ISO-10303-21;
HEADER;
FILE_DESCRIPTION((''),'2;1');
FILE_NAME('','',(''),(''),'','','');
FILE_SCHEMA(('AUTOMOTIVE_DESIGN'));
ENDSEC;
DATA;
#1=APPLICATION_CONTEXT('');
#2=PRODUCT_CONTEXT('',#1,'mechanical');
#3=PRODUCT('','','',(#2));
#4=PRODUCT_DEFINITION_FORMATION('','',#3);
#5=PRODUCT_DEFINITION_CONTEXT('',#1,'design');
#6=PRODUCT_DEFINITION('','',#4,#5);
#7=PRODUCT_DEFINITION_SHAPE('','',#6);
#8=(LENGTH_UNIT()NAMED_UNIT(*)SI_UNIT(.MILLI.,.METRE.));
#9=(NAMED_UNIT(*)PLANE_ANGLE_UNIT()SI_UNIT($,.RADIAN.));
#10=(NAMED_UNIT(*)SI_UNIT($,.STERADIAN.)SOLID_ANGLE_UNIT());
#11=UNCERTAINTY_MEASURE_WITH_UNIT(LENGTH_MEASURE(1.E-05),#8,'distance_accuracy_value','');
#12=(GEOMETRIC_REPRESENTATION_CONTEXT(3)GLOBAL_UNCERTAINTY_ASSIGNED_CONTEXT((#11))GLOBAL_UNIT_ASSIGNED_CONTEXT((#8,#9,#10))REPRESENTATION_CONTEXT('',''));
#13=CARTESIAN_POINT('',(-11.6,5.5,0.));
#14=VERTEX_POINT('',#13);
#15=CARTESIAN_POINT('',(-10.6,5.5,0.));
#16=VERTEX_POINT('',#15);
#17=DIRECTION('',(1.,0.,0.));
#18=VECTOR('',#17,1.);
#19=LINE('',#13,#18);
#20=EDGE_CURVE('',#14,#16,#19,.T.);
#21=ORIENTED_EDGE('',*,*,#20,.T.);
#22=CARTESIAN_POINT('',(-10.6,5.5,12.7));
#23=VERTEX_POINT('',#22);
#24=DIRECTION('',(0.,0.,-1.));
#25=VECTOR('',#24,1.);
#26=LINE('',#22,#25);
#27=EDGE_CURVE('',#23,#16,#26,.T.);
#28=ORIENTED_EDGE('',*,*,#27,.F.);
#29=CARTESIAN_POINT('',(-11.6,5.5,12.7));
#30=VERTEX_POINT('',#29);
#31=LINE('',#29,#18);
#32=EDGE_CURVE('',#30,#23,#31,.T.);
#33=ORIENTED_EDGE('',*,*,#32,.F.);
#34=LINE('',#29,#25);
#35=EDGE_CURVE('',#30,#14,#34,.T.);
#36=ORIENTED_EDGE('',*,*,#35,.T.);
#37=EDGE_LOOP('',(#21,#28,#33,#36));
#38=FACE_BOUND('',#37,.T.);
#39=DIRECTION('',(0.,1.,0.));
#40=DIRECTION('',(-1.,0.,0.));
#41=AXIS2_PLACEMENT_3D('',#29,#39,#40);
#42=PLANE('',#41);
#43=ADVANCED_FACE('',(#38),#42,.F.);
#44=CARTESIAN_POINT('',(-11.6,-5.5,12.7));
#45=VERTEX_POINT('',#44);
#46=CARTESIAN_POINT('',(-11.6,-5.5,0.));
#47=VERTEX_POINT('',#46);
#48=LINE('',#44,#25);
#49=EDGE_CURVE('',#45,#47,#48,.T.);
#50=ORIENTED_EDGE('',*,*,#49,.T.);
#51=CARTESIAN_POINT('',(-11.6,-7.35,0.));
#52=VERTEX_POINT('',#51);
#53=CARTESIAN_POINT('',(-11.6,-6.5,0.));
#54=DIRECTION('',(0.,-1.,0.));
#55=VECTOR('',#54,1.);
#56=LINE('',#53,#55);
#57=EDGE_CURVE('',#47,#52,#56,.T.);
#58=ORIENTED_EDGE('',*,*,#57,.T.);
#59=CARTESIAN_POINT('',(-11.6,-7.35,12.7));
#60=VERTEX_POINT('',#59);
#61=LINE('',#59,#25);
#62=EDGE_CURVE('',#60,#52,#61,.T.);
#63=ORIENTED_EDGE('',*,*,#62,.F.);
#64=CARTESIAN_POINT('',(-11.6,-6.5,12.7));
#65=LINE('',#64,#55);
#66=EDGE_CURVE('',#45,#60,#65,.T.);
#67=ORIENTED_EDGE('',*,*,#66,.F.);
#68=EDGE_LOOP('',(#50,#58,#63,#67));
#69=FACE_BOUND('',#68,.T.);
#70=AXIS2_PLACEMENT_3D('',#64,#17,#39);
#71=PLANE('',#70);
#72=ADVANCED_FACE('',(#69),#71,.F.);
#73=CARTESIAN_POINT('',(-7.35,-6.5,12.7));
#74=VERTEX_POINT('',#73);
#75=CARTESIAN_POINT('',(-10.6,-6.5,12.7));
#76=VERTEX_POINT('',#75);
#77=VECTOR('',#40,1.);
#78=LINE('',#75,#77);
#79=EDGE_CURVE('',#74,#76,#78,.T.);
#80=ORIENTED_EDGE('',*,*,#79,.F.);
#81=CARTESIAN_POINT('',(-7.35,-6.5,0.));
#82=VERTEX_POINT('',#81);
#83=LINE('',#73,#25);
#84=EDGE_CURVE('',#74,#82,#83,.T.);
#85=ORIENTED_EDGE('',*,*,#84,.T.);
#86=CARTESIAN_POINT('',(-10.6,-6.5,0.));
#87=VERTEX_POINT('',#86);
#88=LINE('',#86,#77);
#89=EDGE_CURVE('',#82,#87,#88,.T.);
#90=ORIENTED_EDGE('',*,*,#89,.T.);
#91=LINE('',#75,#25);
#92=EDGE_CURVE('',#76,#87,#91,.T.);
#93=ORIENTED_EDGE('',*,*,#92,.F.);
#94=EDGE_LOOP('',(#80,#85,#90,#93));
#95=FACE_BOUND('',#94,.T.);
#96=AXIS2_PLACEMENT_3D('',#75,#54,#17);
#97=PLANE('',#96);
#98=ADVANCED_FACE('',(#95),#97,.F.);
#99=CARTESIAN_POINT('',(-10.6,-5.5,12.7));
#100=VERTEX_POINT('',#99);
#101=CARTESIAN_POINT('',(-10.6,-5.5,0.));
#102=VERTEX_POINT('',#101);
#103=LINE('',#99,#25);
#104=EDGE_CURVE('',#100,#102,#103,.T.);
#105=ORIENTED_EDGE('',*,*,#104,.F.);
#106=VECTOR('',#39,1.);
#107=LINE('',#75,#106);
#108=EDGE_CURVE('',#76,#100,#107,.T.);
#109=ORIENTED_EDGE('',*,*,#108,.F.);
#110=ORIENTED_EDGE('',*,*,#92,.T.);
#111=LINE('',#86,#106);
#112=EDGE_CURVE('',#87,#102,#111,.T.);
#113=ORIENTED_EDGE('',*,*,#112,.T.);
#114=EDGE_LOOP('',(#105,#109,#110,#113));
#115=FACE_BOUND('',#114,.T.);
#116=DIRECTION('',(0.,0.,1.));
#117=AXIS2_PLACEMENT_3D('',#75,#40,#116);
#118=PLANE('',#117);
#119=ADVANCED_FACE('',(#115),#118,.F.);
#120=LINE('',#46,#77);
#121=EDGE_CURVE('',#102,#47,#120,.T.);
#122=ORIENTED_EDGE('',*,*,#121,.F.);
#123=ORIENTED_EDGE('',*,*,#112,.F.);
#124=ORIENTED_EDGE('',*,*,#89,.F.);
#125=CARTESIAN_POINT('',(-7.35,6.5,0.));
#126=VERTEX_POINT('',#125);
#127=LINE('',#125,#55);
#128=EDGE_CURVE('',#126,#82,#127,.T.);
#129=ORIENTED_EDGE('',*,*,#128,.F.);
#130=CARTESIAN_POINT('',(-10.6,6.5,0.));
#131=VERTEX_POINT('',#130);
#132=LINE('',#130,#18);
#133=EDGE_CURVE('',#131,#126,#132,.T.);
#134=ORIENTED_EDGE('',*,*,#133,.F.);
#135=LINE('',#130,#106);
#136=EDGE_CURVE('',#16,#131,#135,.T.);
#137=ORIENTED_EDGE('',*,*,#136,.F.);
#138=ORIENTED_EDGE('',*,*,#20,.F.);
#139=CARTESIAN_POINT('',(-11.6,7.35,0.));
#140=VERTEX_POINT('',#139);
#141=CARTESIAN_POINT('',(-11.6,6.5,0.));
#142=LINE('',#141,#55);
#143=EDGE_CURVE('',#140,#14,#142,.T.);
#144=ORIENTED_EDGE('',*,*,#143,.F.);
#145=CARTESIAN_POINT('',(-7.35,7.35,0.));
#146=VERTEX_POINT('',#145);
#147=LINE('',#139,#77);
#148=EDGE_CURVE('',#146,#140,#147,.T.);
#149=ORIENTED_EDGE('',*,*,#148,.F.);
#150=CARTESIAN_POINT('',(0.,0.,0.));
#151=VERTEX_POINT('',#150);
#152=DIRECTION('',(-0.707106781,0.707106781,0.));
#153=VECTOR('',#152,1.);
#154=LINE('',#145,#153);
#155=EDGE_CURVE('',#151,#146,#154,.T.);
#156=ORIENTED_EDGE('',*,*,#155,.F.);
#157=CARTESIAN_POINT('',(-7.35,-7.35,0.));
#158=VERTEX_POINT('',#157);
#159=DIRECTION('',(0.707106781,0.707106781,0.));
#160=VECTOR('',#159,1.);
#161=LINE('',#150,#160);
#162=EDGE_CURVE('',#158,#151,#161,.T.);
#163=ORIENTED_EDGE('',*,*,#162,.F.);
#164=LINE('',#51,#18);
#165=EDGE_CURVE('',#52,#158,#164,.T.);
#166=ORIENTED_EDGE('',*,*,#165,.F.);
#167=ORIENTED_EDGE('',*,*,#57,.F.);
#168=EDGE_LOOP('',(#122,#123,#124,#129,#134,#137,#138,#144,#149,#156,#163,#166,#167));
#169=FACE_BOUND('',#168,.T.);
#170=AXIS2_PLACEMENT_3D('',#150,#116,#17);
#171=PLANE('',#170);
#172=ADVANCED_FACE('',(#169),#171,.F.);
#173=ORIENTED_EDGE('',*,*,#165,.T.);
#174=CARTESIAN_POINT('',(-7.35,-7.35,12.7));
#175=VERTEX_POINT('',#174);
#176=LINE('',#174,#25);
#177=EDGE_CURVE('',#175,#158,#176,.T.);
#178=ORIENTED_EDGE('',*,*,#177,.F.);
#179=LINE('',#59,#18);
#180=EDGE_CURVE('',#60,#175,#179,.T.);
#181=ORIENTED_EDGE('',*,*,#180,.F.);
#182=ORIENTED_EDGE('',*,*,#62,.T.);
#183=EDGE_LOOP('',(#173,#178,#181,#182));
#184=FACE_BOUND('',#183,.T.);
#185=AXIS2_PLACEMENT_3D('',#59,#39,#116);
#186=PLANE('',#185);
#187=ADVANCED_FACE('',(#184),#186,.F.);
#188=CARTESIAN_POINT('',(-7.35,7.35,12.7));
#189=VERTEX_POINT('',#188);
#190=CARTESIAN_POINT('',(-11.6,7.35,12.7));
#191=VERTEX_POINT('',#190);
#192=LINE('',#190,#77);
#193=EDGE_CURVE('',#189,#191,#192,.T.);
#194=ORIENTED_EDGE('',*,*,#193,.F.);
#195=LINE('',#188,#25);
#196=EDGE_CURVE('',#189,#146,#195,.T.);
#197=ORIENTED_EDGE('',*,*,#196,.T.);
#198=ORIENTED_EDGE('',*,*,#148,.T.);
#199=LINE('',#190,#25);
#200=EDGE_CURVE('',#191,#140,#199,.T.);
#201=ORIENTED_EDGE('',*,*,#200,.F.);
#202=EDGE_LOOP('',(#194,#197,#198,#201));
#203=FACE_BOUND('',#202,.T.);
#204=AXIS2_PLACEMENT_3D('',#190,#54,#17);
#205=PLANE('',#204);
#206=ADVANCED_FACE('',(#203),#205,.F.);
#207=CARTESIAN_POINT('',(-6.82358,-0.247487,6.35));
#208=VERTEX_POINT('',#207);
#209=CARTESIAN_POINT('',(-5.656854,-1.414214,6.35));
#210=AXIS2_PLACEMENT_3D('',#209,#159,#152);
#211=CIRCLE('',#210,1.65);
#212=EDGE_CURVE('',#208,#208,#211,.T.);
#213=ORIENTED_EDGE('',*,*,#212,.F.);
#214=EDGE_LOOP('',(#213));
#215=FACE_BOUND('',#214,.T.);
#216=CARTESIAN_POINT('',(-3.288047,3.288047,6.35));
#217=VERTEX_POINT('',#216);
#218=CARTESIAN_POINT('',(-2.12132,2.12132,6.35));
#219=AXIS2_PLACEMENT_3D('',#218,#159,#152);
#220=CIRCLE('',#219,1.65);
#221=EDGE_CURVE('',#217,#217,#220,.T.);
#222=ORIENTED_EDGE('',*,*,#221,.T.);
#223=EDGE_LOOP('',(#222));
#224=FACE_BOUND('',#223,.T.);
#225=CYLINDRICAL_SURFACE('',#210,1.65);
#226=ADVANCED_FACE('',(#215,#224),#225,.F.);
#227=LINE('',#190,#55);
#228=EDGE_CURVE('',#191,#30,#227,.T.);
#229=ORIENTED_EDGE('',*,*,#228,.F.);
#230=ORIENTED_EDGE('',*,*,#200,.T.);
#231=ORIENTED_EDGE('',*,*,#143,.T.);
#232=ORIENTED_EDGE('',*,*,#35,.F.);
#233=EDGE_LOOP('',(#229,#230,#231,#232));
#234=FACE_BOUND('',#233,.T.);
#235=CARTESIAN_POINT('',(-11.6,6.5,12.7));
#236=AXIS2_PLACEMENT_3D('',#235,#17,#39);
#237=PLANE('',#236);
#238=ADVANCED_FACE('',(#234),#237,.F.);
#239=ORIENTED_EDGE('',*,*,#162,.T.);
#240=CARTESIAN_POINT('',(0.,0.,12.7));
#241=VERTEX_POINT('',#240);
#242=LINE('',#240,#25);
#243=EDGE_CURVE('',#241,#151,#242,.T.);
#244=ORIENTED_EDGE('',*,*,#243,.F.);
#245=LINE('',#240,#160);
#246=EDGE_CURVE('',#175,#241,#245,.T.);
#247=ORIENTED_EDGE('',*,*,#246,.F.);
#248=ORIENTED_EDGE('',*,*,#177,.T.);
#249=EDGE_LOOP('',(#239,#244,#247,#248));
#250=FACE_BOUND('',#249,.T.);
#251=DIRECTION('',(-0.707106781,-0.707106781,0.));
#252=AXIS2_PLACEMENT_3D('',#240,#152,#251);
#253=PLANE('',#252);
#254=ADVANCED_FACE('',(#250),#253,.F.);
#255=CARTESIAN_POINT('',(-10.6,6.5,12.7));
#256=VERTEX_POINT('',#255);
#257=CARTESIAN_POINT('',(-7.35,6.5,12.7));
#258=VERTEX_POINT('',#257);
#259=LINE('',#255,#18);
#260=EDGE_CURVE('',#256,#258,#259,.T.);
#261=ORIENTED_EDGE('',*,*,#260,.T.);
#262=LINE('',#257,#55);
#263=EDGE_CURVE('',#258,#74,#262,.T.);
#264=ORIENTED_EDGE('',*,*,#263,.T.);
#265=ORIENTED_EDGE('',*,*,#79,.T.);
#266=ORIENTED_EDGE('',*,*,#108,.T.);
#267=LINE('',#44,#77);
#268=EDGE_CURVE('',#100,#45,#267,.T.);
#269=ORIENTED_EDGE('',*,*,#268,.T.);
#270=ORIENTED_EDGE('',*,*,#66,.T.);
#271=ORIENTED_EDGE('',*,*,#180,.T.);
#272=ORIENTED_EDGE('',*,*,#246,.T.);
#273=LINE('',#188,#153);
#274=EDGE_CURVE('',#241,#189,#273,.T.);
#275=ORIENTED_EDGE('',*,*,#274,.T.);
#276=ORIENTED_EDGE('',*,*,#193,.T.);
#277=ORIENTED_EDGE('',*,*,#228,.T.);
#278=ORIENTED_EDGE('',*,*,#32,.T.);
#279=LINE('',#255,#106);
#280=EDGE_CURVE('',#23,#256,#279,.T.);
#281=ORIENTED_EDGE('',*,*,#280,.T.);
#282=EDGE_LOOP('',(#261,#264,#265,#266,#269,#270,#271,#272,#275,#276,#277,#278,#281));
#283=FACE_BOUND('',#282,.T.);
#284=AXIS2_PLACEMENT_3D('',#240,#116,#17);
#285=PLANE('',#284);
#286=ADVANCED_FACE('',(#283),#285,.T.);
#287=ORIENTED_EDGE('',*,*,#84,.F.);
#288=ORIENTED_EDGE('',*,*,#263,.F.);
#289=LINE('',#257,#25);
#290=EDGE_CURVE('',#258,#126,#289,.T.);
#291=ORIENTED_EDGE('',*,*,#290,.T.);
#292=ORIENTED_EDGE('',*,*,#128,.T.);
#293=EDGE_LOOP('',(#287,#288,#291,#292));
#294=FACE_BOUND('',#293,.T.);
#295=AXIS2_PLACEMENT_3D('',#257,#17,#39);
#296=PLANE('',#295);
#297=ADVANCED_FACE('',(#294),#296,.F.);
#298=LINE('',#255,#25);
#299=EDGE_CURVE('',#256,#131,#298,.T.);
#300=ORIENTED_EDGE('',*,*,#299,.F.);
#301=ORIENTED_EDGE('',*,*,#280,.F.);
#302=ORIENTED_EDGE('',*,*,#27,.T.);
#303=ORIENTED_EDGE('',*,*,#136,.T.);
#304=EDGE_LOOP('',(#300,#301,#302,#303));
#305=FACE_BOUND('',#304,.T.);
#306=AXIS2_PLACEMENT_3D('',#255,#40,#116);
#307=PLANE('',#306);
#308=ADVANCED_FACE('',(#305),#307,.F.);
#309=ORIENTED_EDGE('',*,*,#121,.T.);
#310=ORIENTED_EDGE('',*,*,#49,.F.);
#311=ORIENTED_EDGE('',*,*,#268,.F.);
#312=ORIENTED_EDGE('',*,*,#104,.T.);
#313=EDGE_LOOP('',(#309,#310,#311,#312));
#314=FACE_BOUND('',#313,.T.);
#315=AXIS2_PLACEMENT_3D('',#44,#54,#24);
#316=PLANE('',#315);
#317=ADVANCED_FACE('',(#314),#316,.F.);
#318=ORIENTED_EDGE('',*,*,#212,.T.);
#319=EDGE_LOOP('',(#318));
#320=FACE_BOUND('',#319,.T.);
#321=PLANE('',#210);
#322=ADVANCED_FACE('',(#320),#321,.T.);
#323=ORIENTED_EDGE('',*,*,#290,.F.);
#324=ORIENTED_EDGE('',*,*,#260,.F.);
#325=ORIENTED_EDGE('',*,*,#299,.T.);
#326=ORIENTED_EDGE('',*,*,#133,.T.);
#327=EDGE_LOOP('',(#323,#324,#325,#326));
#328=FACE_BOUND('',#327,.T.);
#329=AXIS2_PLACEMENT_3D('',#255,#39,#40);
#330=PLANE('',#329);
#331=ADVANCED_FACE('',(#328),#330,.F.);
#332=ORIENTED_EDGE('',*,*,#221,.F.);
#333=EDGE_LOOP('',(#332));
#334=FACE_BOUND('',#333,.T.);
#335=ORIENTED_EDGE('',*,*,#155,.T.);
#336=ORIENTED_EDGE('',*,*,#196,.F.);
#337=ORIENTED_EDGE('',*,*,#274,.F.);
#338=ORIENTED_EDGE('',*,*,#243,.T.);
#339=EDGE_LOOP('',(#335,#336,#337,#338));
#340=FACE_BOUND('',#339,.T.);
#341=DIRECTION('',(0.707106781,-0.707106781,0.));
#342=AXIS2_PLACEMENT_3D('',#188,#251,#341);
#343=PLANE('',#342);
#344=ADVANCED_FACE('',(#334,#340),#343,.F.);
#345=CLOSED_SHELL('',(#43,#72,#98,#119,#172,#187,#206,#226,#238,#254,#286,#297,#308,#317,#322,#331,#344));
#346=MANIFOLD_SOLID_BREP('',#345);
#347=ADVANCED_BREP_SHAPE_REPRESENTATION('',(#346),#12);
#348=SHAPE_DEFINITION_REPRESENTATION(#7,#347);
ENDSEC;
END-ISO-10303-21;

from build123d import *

# Parameters (mm, degrees)
BOSS_EXTRUDE1_DEPTH = 12.7
SKETCH7_R           = 1.65
CUT_EXTRUDE2_DEPTH  = 5


with BuildPart() as part:
    # Sketch1 → Boss-Extrude1 (new body)
    with BuildSketch(Plane.XY):
        Polygon((-7.35, 7.35), (0, 0), (-7.35, -7.35), (-11.6, -7.35), (-11.6, -6.5), (-11.6, -5.5), (-10.6, -5.5), (-10.6, -6.5), (-7.35, -6.5), (-7.35, 6.5), (-10.6, 6.5), (-10.6, 5.5), (-11.6, 5.5), (-11.6, 6.5), (-11.6, 7.35), align=None)
    extrude(amount=BOSS_EXTRUDE1_DEPTH)

    # Sketch7 → Cut-Extrude2 (cut)
    with BuildSketch(Plane(origin=(0, 0, 0), x_dir=(0, 0, -1), z_dir=(0.7071067811865724, 0.7071067811865226, 0))):
        with Locations(Location((-6.35, 3, 0), (0, 0, 90))):
            Circle(SKETCH7_R)
    extrude(amount=-CUT_EXTRUDE2_DEPTH, mode=Mode.SUBTRACT)


solid = part.part
